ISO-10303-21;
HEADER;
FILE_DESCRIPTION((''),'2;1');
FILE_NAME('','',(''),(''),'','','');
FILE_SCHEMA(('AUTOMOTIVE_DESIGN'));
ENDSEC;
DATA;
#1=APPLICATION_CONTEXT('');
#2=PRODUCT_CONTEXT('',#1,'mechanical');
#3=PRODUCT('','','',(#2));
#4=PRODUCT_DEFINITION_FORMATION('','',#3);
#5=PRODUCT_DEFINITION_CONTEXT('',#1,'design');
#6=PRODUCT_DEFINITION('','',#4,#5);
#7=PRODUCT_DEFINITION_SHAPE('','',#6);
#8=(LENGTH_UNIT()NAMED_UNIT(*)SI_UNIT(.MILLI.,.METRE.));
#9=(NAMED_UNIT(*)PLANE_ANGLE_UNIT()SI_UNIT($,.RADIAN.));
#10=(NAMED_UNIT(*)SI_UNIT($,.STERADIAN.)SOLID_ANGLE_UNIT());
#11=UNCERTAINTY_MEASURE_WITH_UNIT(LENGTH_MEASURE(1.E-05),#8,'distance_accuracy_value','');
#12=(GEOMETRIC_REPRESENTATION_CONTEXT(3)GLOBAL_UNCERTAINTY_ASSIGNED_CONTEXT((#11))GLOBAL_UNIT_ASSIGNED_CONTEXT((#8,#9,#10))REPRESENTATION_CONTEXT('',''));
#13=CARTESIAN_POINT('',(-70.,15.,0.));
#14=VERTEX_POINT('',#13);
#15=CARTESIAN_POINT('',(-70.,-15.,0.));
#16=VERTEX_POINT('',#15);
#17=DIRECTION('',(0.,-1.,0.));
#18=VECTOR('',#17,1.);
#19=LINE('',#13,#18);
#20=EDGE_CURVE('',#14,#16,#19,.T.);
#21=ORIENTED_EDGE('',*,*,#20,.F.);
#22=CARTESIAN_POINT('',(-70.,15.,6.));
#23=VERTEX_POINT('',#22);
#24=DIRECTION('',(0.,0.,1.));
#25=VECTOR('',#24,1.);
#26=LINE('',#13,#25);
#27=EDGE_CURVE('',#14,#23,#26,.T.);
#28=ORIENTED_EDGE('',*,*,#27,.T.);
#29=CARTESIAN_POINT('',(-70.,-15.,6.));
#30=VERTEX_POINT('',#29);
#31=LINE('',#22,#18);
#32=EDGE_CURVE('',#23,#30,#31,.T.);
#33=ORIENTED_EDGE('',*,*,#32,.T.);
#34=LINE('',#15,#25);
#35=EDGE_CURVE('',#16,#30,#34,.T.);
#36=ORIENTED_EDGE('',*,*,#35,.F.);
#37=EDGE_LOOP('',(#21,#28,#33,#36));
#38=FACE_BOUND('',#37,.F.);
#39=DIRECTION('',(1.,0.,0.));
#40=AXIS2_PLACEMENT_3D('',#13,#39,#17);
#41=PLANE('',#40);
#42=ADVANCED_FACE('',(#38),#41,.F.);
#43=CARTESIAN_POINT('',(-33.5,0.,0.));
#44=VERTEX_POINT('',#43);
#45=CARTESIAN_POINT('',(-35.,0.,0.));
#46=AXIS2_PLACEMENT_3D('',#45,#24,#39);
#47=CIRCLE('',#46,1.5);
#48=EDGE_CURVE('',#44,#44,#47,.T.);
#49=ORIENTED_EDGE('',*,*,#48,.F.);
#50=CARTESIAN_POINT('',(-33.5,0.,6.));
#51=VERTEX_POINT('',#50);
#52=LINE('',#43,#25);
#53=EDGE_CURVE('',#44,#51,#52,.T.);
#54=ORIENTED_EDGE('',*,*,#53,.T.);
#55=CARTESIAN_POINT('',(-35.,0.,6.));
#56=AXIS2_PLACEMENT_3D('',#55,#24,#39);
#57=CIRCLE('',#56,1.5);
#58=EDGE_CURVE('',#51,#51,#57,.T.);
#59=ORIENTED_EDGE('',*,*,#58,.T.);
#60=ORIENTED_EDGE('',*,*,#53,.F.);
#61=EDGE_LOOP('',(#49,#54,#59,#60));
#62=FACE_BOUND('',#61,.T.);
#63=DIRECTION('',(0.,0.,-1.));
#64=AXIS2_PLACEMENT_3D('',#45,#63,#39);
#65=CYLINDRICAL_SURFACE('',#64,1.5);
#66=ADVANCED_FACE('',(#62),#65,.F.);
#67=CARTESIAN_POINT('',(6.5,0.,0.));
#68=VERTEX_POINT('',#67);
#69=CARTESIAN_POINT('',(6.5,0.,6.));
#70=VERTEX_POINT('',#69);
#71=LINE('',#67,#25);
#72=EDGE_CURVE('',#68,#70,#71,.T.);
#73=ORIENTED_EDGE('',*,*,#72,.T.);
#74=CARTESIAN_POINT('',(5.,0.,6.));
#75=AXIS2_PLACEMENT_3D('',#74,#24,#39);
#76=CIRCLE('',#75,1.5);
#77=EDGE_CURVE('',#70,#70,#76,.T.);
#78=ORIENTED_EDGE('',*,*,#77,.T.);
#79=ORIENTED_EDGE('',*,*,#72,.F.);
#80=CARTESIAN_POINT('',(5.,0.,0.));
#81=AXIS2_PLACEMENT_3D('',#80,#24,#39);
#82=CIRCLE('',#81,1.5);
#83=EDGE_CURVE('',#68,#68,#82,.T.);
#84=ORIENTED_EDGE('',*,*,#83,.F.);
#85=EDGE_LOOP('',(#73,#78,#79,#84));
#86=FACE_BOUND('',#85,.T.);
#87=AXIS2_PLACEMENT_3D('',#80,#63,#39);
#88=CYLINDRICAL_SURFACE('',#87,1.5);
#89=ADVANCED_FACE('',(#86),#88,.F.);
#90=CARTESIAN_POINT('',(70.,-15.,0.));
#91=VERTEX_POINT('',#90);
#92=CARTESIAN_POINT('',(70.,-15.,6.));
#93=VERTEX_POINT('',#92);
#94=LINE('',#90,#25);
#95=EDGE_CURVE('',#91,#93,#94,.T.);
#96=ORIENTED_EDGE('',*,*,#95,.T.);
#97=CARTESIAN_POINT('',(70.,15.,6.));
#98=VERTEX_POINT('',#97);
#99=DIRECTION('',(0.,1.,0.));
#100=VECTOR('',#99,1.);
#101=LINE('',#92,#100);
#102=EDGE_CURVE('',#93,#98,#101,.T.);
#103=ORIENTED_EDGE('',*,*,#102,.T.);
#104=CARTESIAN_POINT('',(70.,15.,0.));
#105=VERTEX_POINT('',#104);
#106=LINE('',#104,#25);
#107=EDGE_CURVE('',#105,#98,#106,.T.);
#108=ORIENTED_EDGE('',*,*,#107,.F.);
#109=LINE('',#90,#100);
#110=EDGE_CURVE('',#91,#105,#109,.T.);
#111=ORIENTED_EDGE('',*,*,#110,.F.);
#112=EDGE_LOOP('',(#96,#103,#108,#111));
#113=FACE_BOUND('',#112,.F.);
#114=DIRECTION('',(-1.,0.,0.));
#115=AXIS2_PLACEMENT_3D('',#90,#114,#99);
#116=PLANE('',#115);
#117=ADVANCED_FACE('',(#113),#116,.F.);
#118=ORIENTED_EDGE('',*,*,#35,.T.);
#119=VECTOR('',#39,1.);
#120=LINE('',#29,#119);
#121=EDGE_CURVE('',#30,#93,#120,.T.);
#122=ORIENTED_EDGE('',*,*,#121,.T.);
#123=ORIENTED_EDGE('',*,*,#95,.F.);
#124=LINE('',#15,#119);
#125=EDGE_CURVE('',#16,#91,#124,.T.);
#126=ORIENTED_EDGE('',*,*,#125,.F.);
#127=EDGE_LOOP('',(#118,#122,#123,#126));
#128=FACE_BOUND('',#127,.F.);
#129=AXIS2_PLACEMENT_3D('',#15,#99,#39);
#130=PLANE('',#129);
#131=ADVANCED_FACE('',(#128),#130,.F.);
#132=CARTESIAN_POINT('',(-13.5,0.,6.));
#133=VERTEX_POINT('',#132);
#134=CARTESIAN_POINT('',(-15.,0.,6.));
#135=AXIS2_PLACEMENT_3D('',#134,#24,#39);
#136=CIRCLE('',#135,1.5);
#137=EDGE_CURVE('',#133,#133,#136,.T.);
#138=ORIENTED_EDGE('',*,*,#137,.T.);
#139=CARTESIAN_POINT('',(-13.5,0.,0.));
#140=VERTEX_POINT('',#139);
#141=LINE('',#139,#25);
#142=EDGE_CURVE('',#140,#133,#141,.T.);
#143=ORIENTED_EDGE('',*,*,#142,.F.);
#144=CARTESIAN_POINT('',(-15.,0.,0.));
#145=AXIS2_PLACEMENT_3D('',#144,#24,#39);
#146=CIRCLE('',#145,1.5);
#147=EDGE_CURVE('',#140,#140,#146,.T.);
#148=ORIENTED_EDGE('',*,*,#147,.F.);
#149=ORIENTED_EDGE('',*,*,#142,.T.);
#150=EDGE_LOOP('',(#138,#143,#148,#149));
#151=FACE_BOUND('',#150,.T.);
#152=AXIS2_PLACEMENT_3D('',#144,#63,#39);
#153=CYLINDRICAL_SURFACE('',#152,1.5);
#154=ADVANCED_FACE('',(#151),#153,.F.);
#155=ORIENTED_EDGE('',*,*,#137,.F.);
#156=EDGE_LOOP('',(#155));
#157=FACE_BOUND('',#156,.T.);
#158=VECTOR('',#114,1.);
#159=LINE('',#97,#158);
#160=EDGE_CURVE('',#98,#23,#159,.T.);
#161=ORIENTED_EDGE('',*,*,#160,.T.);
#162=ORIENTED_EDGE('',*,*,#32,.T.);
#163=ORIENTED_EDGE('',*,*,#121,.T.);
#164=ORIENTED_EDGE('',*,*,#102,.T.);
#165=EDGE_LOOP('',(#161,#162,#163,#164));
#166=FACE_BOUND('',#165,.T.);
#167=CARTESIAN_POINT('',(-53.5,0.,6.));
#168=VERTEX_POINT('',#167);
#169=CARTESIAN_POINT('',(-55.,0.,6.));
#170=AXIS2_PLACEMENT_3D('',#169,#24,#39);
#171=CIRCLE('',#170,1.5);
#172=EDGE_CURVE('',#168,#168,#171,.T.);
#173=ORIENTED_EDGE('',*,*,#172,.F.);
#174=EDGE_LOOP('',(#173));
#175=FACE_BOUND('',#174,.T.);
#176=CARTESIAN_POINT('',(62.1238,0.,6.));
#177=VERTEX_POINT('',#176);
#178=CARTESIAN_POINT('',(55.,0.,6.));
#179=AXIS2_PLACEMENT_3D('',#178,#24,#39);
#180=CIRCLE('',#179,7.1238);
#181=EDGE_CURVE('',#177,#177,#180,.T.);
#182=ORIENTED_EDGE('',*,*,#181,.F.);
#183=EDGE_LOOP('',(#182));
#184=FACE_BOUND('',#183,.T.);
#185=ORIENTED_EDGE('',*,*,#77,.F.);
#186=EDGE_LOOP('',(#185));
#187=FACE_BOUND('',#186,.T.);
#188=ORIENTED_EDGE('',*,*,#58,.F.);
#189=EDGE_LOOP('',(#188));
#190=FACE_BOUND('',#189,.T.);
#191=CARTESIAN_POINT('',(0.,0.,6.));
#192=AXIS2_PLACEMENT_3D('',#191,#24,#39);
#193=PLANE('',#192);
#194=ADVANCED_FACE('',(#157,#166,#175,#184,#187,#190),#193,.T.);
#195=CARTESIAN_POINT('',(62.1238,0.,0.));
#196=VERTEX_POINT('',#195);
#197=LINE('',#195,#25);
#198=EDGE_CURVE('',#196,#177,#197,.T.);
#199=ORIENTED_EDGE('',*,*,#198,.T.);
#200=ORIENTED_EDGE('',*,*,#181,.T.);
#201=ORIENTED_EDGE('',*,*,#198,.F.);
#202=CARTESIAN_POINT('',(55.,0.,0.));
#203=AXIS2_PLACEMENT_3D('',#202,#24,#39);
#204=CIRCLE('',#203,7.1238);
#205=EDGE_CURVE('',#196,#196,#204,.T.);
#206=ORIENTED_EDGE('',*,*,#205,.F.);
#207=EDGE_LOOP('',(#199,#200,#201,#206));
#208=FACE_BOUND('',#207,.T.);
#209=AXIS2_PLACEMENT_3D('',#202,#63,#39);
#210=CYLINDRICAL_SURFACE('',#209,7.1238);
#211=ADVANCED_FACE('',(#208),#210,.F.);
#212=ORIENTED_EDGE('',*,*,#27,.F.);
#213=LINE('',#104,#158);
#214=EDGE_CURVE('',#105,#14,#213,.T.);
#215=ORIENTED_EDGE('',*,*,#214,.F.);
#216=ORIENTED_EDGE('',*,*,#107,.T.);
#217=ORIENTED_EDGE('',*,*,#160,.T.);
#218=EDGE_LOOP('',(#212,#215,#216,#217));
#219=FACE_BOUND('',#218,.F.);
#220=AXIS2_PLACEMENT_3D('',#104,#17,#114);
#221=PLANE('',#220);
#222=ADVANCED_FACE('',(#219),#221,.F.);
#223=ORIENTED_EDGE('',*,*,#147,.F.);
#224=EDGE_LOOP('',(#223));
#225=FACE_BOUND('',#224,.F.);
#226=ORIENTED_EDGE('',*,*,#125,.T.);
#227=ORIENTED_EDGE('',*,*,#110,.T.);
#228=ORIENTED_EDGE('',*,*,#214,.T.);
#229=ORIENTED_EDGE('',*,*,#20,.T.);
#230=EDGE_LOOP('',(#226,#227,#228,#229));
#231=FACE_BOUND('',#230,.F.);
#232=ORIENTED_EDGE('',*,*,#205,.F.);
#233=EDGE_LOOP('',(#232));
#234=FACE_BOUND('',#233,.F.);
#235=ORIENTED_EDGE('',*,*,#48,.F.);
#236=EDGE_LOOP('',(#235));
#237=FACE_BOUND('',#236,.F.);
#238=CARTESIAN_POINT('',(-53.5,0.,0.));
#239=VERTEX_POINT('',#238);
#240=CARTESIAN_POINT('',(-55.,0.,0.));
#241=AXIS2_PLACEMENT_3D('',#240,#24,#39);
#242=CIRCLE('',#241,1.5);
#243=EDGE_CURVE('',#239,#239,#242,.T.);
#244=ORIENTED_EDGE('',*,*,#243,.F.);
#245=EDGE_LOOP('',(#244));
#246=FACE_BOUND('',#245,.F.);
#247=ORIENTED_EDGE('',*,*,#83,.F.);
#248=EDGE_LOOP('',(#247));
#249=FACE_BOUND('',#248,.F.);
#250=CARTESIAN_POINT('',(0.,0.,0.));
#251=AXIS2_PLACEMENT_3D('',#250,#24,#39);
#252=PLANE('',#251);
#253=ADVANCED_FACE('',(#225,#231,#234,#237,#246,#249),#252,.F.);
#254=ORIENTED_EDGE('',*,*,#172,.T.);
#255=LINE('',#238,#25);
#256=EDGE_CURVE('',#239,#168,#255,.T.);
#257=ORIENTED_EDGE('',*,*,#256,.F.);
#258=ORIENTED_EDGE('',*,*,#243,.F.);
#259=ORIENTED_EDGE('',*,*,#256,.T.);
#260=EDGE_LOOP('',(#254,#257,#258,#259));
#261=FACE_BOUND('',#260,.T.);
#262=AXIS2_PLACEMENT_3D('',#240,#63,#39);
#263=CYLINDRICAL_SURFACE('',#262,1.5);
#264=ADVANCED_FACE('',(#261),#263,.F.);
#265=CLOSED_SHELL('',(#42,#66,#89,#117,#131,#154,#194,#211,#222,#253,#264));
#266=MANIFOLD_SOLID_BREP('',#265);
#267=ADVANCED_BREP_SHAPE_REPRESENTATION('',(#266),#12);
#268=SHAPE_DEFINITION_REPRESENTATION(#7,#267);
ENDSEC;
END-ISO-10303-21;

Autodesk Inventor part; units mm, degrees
ref_plane "YZ Plane" through (0, 0, 0) normal (1, 0, 0) x (0, 1, 0)
ref_plane "XZ Plane" through (0, 0, 0) normal (0, 1, 0) x (-1, 0, 0)
ref_plane "XY Plane" through (0, 0, 0) normal (0, 0, 1) x (1, 0, 0)
sketch "Sketch1" plane through (0, 0, 0) normal (0, 0, 1) x (1, 0, 0)
  line L0 (-70, -15) -> (70, -15)
  line L1 (70, -15) -> (70, 15)
  line L2 (70, 15) -> (-70, 15)
  line L3 (-70, 15) -> (-70, -15)
  line L4 (-70, -15) -> (70, 15) construction
  line L5 (70, -15) -> (-70, 15) construction
  line L6 (0, 0) -> (55, 0) construction
  circle A0 centre (55, 0) radius 7.1238
  line L7 (0, 0) -> (5, 0) construction
  circle A1 centre (5, 0) radius 1.5
  circle A2 centre (-15, 0) radius 1.5
  circle A3 centre (-35, 0) radius 1.5
  circle A4 centre (-55, 0) radius 1.5
  dimension "d1" = 30
  dimension "d2" = 140
  dimension "d3" = 15
  dimension "d4" = 50
  dimension "d7" = 20
  dimension "d12" = 3
extrude "Extrusion1" add sketch "Sketch1" along normal blind 6
properties part number "backplate"
